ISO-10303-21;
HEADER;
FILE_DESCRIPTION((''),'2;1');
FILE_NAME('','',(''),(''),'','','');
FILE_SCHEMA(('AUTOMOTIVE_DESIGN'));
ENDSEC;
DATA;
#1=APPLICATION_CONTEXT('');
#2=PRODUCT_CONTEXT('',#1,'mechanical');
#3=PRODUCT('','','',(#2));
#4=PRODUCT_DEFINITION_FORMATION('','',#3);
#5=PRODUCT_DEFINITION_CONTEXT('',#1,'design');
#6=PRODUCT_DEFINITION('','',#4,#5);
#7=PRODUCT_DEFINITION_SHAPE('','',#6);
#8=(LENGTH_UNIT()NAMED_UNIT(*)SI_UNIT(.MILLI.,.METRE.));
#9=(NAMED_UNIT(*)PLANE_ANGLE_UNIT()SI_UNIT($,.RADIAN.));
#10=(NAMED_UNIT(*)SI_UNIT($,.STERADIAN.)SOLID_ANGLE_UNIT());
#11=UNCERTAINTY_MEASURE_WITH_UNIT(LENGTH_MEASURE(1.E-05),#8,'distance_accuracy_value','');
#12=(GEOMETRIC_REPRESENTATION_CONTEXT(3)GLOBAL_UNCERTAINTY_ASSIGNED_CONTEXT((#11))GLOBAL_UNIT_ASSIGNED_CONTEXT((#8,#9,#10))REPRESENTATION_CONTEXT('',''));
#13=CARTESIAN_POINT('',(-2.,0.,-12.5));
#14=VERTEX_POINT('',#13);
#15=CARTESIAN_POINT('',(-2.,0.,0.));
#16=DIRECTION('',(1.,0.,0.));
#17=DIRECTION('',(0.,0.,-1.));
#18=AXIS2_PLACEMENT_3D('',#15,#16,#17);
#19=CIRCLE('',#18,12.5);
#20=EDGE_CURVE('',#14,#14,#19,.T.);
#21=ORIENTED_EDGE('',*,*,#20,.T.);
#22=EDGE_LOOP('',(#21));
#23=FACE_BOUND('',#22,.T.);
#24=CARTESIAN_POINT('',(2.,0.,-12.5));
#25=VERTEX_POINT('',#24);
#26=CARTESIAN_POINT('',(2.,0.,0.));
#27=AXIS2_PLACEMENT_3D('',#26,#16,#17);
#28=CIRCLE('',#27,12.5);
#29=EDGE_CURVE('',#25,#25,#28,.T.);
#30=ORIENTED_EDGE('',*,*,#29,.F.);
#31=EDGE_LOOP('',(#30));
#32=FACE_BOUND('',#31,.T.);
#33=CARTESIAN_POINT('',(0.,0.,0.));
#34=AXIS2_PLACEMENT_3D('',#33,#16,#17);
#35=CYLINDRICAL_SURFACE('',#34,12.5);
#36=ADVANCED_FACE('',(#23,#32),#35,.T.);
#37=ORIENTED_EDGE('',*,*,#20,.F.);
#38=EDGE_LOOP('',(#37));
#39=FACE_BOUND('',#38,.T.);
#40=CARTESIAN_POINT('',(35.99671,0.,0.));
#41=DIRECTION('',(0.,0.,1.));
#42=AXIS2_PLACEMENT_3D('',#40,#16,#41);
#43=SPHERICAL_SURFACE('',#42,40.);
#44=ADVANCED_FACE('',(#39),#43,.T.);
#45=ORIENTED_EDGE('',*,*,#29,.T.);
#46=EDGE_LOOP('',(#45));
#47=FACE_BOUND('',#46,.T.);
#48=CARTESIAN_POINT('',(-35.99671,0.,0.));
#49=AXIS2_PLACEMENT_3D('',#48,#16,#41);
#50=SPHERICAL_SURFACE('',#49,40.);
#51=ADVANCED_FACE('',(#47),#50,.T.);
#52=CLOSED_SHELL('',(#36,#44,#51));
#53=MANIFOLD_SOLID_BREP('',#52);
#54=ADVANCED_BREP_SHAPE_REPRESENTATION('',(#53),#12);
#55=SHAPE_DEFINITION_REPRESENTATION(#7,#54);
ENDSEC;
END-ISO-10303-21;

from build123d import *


with BuildPart() as part:
    # Esquisse11 → Révolution3 (revolve)
    with BuildSketch(Plane(origin=(0, 0, 0), x_dir=(1, 0, 0), z_dir=(0, 1, 0))):
        with BuildLine():
            Line((2, -12.5), (-2, -12.5))
            ThreePointArc((-2, -12.5), (-3.499292043, -6.329754523), (-4.003289616, 0))
            Line((-4.003289616, 0), (4.003289616, 0))
            ThreePointArc((4.003289616, 0), (3.499292043, -6.329754523), (2, -12.5))
        make_face()
    revolve(axis=Axis((0, 0, 0), (-1, 0, 0)))


solid = part.part
